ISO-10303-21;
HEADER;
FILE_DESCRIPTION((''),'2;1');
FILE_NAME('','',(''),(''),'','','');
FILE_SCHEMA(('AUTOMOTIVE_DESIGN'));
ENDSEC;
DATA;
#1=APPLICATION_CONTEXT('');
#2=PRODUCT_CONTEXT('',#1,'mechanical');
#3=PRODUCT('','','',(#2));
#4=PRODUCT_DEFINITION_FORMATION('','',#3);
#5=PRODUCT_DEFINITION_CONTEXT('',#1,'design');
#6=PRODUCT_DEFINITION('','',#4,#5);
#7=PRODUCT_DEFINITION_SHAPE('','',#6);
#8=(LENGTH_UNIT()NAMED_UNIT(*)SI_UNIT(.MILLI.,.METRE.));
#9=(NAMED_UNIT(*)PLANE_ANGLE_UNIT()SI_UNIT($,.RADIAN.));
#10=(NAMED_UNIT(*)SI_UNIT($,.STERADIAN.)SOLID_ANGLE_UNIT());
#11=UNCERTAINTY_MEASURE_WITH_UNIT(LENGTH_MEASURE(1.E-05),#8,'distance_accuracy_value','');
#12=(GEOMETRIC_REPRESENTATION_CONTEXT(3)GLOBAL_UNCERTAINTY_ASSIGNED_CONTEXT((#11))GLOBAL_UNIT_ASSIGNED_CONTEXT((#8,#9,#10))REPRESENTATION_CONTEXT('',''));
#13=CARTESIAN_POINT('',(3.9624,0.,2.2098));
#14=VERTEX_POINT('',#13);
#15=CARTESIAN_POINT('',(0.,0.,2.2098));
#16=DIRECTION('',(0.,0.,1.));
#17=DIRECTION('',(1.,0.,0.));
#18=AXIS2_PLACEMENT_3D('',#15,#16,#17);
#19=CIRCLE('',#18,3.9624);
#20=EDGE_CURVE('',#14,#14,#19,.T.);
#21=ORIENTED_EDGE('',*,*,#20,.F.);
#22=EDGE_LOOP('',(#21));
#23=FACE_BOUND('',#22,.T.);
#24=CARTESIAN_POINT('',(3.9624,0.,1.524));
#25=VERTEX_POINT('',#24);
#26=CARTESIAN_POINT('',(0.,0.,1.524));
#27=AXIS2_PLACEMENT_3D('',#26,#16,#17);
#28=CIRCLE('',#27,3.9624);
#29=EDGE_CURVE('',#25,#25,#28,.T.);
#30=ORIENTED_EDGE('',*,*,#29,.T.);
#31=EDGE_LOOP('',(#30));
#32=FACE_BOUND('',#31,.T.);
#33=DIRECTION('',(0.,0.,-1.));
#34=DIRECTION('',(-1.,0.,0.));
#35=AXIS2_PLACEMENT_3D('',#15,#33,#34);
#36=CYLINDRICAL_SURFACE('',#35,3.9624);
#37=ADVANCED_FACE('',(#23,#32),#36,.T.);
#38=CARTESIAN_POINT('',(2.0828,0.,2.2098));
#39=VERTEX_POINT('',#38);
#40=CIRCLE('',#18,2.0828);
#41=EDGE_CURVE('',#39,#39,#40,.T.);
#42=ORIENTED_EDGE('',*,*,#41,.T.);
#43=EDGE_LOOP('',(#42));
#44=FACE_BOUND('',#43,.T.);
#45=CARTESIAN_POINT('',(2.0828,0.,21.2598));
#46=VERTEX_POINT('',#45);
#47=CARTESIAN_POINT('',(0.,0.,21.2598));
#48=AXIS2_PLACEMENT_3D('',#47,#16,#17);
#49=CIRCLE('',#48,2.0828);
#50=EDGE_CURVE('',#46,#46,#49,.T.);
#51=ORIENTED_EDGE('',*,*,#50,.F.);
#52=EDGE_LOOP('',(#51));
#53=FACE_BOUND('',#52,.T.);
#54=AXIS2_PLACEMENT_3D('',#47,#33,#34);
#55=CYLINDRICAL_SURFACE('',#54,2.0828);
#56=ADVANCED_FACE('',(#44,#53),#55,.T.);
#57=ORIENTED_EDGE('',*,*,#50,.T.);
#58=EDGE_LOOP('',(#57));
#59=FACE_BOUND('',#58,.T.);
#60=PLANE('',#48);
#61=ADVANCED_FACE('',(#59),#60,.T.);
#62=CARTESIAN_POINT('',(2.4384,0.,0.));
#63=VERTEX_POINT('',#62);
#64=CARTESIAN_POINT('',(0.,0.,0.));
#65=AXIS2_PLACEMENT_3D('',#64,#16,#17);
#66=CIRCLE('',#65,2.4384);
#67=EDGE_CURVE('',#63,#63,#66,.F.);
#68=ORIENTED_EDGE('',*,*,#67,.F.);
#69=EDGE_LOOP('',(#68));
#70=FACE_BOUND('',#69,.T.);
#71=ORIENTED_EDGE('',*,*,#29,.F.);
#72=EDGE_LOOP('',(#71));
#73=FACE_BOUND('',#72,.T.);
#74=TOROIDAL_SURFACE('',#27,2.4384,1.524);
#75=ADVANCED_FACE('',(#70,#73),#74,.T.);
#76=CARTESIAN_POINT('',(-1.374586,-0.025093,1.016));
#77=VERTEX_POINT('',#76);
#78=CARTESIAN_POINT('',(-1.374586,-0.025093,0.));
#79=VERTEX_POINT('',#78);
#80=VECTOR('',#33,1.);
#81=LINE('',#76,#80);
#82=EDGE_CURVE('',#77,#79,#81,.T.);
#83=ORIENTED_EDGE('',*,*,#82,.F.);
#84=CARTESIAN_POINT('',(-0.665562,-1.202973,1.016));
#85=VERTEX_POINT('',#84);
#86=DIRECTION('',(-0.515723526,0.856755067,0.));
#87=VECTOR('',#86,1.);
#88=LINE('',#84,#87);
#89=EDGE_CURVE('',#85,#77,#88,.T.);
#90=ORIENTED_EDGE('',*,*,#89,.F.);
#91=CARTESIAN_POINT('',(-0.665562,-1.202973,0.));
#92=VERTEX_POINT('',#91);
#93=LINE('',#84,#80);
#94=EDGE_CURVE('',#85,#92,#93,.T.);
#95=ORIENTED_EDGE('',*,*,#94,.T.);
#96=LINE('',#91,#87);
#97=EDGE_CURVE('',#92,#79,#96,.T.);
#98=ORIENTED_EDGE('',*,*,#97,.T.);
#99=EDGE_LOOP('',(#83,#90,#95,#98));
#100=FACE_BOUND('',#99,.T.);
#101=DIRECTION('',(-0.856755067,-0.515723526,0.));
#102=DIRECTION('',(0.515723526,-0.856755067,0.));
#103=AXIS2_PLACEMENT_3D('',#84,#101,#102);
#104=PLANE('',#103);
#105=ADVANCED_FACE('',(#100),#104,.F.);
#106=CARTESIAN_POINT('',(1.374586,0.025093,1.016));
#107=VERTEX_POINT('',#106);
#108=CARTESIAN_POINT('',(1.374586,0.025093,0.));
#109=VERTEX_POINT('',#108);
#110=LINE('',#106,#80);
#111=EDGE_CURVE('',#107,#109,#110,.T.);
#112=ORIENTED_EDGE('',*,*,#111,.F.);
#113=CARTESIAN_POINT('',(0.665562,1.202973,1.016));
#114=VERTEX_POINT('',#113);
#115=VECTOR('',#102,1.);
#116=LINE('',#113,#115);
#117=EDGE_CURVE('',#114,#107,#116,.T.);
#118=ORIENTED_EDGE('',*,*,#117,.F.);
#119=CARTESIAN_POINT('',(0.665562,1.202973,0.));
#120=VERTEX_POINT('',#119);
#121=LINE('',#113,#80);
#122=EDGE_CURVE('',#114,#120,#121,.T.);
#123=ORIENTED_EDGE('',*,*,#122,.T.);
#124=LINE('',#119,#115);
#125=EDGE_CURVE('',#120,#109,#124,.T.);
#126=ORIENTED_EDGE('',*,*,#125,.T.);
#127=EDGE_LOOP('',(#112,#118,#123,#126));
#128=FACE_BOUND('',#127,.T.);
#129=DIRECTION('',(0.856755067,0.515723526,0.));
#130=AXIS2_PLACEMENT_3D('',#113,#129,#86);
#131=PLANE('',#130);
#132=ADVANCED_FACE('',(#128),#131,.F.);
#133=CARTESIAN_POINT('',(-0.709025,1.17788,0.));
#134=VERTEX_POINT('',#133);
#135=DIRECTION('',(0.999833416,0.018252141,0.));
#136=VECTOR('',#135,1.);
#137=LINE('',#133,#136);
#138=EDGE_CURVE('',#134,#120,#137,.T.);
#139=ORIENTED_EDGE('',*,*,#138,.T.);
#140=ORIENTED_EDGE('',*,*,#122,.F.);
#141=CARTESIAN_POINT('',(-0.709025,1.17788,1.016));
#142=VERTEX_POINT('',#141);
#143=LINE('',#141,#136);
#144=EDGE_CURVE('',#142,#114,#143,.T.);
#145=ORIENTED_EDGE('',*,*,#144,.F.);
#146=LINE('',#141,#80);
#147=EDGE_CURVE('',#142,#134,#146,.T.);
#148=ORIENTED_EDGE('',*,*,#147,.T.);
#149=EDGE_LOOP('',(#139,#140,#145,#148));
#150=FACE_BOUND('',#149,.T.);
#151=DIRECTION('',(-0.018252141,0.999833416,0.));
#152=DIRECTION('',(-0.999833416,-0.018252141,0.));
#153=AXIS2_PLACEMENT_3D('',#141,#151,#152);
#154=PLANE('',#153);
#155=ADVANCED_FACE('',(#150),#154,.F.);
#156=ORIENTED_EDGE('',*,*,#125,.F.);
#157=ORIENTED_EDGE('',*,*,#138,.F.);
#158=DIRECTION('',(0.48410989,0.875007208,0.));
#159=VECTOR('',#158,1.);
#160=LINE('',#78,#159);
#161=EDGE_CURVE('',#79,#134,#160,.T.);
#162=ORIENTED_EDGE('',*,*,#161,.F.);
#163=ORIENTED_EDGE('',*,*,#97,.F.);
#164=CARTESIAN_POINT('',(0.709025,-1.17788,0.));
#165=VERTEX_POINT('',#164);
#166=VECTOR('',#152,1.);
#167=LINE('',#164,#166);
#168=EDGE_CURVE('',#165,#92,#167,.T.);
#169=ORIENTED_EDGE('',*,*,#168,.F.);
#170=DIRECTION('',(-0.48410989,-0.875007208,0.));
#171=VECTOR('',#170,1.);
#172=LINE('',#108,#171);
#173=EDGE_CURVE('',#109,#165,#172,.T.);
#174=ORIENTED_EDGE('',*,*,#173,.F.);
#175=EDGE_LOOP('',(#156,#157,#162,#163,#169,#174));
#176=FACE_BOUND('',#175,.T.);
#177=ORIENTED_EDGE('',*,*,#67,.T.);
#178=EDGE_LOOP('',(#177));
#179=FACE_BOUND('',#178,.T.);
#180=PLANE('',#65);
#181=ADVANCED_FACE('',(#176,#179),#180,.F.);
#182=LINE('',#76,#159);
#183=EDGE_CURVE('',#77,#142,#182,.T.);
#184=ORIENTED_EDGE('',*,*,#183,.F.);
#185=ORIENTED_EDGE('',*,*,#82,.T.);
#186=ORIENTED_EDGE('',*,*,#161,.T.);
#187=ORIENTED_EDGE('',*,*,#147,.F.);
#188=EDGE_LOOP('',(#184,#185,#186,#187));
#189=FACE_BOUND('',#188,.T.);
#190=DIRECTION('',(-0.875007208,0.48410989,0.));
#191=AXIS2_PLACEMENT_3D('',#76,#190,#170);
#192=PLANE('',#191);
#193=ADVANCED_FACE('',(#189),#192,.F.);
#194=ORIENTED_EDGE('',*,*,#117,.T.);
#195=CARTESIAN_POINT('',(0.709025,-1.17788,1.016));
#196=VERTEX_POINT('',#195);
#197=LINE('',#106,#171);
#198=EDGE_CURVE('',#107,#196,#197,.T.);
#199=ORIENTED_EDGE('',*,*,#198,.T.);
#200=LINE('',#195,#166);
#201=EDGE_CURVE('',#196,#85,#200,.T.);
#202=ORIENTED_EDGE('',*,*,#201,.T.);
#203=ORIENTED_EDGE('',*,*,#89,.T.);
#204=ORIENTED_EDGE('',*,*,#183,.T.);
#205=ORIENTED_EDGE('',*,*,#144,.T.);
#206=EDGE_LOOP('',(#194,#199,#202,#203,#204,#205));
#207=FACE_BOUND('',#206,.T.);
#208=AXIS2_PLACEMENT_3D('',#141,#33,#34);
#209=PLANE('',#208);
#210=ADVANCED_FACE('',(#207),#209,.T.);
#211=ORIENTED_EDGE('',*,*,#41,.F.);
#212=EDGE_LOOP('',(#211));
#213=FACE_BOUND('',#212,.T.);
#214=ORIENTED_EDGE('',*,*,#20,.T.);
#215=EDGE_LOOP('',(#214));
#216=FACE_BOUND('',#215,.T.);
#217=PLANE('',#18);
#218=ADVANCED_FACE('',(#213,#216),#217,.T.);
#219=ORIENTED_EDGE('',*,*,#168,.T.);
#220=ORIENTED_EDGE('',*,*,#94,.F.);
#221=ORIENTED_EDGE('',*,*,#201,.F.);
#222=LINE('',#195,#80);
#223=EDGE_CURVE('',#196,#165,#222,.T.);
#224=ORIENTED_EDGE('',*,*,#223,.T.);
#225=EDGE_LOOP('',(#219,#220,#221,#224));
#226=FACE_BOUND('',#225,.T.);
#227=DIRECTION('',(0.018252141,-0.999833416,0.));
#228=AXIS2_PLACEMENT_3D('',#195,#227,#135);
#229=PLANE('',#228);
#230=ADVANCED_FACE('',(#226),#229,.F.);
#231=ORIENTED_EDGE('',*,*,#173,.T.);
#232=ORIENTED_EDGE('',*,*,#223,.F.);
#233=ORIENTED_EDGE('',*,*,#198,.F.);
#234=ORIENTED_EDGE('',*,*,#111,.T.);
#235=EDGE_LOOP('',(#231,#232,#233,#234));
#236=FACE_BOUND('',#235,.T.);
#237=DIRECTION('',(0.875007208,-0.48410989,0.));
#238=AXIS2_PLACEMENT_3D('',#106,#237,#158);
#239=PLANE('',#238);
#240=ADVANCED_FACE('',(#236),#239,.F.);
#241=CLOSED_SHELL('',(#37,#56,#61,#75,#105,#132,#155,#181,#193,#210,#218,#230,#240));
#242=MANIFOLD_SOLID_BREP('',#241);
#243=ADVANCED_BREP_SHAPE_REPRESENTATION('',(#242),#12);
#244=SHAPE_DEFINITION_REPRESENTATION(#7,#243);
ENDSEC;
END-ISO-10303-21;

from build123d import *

# Parameters (mm, degrees)
SKETCH1_R      = 3.9624
EXTRUDE1_DEPTH = 2.2098
FILLET1_R      = 1.524
SKETCH2_R      = 2.0828
EXTRUDE2_DEPTH = 19.05
EXTRUDE3_DEPTH = 1.016


with BuildPart() as part:
    # Sketch1 → Extrude1 (new body)
    with BuildSketch(Plane.XY):
        Circle(SKETCH1_R)
    extrude(amount=EXTRUDE1_DEPTH)

    # Fillet1
    fillet1_edges = [part.edges().sort_by_distance(p)[0] for p in [
        (-3.9624, 0, 0),
    ]]
    fillet(fillet1_edges, radius=FILLET1_R)

    # Sketch2 → Extrude2 (add)
    with BuildSketch(Plane.XY.offset(2.2098)):
        Circle(SKETCH2_R)
    extrude(amount=EXTRUDE2_DEPTH)

    # Sketch3 → Extrude3 (cut)
    with BuildSketch(Plane(origin=(0, 0, 0), x_dir=(-1, 0, 0), z_dir=(0, 0, -1))):
        Polygon((0.709024608, 1.177879999), (-0.665561698, 1.202973322), (-1.374586306, 0.025093323), (-0.709024608, -1.177879999), (0.665561698, -1.202973322), (1.374586306, -0.025093323), align=None)
    extrude(amount=-EXTRUDE3_DEPTH, mode=Mode.SUBTRACT)


solid = part.part
